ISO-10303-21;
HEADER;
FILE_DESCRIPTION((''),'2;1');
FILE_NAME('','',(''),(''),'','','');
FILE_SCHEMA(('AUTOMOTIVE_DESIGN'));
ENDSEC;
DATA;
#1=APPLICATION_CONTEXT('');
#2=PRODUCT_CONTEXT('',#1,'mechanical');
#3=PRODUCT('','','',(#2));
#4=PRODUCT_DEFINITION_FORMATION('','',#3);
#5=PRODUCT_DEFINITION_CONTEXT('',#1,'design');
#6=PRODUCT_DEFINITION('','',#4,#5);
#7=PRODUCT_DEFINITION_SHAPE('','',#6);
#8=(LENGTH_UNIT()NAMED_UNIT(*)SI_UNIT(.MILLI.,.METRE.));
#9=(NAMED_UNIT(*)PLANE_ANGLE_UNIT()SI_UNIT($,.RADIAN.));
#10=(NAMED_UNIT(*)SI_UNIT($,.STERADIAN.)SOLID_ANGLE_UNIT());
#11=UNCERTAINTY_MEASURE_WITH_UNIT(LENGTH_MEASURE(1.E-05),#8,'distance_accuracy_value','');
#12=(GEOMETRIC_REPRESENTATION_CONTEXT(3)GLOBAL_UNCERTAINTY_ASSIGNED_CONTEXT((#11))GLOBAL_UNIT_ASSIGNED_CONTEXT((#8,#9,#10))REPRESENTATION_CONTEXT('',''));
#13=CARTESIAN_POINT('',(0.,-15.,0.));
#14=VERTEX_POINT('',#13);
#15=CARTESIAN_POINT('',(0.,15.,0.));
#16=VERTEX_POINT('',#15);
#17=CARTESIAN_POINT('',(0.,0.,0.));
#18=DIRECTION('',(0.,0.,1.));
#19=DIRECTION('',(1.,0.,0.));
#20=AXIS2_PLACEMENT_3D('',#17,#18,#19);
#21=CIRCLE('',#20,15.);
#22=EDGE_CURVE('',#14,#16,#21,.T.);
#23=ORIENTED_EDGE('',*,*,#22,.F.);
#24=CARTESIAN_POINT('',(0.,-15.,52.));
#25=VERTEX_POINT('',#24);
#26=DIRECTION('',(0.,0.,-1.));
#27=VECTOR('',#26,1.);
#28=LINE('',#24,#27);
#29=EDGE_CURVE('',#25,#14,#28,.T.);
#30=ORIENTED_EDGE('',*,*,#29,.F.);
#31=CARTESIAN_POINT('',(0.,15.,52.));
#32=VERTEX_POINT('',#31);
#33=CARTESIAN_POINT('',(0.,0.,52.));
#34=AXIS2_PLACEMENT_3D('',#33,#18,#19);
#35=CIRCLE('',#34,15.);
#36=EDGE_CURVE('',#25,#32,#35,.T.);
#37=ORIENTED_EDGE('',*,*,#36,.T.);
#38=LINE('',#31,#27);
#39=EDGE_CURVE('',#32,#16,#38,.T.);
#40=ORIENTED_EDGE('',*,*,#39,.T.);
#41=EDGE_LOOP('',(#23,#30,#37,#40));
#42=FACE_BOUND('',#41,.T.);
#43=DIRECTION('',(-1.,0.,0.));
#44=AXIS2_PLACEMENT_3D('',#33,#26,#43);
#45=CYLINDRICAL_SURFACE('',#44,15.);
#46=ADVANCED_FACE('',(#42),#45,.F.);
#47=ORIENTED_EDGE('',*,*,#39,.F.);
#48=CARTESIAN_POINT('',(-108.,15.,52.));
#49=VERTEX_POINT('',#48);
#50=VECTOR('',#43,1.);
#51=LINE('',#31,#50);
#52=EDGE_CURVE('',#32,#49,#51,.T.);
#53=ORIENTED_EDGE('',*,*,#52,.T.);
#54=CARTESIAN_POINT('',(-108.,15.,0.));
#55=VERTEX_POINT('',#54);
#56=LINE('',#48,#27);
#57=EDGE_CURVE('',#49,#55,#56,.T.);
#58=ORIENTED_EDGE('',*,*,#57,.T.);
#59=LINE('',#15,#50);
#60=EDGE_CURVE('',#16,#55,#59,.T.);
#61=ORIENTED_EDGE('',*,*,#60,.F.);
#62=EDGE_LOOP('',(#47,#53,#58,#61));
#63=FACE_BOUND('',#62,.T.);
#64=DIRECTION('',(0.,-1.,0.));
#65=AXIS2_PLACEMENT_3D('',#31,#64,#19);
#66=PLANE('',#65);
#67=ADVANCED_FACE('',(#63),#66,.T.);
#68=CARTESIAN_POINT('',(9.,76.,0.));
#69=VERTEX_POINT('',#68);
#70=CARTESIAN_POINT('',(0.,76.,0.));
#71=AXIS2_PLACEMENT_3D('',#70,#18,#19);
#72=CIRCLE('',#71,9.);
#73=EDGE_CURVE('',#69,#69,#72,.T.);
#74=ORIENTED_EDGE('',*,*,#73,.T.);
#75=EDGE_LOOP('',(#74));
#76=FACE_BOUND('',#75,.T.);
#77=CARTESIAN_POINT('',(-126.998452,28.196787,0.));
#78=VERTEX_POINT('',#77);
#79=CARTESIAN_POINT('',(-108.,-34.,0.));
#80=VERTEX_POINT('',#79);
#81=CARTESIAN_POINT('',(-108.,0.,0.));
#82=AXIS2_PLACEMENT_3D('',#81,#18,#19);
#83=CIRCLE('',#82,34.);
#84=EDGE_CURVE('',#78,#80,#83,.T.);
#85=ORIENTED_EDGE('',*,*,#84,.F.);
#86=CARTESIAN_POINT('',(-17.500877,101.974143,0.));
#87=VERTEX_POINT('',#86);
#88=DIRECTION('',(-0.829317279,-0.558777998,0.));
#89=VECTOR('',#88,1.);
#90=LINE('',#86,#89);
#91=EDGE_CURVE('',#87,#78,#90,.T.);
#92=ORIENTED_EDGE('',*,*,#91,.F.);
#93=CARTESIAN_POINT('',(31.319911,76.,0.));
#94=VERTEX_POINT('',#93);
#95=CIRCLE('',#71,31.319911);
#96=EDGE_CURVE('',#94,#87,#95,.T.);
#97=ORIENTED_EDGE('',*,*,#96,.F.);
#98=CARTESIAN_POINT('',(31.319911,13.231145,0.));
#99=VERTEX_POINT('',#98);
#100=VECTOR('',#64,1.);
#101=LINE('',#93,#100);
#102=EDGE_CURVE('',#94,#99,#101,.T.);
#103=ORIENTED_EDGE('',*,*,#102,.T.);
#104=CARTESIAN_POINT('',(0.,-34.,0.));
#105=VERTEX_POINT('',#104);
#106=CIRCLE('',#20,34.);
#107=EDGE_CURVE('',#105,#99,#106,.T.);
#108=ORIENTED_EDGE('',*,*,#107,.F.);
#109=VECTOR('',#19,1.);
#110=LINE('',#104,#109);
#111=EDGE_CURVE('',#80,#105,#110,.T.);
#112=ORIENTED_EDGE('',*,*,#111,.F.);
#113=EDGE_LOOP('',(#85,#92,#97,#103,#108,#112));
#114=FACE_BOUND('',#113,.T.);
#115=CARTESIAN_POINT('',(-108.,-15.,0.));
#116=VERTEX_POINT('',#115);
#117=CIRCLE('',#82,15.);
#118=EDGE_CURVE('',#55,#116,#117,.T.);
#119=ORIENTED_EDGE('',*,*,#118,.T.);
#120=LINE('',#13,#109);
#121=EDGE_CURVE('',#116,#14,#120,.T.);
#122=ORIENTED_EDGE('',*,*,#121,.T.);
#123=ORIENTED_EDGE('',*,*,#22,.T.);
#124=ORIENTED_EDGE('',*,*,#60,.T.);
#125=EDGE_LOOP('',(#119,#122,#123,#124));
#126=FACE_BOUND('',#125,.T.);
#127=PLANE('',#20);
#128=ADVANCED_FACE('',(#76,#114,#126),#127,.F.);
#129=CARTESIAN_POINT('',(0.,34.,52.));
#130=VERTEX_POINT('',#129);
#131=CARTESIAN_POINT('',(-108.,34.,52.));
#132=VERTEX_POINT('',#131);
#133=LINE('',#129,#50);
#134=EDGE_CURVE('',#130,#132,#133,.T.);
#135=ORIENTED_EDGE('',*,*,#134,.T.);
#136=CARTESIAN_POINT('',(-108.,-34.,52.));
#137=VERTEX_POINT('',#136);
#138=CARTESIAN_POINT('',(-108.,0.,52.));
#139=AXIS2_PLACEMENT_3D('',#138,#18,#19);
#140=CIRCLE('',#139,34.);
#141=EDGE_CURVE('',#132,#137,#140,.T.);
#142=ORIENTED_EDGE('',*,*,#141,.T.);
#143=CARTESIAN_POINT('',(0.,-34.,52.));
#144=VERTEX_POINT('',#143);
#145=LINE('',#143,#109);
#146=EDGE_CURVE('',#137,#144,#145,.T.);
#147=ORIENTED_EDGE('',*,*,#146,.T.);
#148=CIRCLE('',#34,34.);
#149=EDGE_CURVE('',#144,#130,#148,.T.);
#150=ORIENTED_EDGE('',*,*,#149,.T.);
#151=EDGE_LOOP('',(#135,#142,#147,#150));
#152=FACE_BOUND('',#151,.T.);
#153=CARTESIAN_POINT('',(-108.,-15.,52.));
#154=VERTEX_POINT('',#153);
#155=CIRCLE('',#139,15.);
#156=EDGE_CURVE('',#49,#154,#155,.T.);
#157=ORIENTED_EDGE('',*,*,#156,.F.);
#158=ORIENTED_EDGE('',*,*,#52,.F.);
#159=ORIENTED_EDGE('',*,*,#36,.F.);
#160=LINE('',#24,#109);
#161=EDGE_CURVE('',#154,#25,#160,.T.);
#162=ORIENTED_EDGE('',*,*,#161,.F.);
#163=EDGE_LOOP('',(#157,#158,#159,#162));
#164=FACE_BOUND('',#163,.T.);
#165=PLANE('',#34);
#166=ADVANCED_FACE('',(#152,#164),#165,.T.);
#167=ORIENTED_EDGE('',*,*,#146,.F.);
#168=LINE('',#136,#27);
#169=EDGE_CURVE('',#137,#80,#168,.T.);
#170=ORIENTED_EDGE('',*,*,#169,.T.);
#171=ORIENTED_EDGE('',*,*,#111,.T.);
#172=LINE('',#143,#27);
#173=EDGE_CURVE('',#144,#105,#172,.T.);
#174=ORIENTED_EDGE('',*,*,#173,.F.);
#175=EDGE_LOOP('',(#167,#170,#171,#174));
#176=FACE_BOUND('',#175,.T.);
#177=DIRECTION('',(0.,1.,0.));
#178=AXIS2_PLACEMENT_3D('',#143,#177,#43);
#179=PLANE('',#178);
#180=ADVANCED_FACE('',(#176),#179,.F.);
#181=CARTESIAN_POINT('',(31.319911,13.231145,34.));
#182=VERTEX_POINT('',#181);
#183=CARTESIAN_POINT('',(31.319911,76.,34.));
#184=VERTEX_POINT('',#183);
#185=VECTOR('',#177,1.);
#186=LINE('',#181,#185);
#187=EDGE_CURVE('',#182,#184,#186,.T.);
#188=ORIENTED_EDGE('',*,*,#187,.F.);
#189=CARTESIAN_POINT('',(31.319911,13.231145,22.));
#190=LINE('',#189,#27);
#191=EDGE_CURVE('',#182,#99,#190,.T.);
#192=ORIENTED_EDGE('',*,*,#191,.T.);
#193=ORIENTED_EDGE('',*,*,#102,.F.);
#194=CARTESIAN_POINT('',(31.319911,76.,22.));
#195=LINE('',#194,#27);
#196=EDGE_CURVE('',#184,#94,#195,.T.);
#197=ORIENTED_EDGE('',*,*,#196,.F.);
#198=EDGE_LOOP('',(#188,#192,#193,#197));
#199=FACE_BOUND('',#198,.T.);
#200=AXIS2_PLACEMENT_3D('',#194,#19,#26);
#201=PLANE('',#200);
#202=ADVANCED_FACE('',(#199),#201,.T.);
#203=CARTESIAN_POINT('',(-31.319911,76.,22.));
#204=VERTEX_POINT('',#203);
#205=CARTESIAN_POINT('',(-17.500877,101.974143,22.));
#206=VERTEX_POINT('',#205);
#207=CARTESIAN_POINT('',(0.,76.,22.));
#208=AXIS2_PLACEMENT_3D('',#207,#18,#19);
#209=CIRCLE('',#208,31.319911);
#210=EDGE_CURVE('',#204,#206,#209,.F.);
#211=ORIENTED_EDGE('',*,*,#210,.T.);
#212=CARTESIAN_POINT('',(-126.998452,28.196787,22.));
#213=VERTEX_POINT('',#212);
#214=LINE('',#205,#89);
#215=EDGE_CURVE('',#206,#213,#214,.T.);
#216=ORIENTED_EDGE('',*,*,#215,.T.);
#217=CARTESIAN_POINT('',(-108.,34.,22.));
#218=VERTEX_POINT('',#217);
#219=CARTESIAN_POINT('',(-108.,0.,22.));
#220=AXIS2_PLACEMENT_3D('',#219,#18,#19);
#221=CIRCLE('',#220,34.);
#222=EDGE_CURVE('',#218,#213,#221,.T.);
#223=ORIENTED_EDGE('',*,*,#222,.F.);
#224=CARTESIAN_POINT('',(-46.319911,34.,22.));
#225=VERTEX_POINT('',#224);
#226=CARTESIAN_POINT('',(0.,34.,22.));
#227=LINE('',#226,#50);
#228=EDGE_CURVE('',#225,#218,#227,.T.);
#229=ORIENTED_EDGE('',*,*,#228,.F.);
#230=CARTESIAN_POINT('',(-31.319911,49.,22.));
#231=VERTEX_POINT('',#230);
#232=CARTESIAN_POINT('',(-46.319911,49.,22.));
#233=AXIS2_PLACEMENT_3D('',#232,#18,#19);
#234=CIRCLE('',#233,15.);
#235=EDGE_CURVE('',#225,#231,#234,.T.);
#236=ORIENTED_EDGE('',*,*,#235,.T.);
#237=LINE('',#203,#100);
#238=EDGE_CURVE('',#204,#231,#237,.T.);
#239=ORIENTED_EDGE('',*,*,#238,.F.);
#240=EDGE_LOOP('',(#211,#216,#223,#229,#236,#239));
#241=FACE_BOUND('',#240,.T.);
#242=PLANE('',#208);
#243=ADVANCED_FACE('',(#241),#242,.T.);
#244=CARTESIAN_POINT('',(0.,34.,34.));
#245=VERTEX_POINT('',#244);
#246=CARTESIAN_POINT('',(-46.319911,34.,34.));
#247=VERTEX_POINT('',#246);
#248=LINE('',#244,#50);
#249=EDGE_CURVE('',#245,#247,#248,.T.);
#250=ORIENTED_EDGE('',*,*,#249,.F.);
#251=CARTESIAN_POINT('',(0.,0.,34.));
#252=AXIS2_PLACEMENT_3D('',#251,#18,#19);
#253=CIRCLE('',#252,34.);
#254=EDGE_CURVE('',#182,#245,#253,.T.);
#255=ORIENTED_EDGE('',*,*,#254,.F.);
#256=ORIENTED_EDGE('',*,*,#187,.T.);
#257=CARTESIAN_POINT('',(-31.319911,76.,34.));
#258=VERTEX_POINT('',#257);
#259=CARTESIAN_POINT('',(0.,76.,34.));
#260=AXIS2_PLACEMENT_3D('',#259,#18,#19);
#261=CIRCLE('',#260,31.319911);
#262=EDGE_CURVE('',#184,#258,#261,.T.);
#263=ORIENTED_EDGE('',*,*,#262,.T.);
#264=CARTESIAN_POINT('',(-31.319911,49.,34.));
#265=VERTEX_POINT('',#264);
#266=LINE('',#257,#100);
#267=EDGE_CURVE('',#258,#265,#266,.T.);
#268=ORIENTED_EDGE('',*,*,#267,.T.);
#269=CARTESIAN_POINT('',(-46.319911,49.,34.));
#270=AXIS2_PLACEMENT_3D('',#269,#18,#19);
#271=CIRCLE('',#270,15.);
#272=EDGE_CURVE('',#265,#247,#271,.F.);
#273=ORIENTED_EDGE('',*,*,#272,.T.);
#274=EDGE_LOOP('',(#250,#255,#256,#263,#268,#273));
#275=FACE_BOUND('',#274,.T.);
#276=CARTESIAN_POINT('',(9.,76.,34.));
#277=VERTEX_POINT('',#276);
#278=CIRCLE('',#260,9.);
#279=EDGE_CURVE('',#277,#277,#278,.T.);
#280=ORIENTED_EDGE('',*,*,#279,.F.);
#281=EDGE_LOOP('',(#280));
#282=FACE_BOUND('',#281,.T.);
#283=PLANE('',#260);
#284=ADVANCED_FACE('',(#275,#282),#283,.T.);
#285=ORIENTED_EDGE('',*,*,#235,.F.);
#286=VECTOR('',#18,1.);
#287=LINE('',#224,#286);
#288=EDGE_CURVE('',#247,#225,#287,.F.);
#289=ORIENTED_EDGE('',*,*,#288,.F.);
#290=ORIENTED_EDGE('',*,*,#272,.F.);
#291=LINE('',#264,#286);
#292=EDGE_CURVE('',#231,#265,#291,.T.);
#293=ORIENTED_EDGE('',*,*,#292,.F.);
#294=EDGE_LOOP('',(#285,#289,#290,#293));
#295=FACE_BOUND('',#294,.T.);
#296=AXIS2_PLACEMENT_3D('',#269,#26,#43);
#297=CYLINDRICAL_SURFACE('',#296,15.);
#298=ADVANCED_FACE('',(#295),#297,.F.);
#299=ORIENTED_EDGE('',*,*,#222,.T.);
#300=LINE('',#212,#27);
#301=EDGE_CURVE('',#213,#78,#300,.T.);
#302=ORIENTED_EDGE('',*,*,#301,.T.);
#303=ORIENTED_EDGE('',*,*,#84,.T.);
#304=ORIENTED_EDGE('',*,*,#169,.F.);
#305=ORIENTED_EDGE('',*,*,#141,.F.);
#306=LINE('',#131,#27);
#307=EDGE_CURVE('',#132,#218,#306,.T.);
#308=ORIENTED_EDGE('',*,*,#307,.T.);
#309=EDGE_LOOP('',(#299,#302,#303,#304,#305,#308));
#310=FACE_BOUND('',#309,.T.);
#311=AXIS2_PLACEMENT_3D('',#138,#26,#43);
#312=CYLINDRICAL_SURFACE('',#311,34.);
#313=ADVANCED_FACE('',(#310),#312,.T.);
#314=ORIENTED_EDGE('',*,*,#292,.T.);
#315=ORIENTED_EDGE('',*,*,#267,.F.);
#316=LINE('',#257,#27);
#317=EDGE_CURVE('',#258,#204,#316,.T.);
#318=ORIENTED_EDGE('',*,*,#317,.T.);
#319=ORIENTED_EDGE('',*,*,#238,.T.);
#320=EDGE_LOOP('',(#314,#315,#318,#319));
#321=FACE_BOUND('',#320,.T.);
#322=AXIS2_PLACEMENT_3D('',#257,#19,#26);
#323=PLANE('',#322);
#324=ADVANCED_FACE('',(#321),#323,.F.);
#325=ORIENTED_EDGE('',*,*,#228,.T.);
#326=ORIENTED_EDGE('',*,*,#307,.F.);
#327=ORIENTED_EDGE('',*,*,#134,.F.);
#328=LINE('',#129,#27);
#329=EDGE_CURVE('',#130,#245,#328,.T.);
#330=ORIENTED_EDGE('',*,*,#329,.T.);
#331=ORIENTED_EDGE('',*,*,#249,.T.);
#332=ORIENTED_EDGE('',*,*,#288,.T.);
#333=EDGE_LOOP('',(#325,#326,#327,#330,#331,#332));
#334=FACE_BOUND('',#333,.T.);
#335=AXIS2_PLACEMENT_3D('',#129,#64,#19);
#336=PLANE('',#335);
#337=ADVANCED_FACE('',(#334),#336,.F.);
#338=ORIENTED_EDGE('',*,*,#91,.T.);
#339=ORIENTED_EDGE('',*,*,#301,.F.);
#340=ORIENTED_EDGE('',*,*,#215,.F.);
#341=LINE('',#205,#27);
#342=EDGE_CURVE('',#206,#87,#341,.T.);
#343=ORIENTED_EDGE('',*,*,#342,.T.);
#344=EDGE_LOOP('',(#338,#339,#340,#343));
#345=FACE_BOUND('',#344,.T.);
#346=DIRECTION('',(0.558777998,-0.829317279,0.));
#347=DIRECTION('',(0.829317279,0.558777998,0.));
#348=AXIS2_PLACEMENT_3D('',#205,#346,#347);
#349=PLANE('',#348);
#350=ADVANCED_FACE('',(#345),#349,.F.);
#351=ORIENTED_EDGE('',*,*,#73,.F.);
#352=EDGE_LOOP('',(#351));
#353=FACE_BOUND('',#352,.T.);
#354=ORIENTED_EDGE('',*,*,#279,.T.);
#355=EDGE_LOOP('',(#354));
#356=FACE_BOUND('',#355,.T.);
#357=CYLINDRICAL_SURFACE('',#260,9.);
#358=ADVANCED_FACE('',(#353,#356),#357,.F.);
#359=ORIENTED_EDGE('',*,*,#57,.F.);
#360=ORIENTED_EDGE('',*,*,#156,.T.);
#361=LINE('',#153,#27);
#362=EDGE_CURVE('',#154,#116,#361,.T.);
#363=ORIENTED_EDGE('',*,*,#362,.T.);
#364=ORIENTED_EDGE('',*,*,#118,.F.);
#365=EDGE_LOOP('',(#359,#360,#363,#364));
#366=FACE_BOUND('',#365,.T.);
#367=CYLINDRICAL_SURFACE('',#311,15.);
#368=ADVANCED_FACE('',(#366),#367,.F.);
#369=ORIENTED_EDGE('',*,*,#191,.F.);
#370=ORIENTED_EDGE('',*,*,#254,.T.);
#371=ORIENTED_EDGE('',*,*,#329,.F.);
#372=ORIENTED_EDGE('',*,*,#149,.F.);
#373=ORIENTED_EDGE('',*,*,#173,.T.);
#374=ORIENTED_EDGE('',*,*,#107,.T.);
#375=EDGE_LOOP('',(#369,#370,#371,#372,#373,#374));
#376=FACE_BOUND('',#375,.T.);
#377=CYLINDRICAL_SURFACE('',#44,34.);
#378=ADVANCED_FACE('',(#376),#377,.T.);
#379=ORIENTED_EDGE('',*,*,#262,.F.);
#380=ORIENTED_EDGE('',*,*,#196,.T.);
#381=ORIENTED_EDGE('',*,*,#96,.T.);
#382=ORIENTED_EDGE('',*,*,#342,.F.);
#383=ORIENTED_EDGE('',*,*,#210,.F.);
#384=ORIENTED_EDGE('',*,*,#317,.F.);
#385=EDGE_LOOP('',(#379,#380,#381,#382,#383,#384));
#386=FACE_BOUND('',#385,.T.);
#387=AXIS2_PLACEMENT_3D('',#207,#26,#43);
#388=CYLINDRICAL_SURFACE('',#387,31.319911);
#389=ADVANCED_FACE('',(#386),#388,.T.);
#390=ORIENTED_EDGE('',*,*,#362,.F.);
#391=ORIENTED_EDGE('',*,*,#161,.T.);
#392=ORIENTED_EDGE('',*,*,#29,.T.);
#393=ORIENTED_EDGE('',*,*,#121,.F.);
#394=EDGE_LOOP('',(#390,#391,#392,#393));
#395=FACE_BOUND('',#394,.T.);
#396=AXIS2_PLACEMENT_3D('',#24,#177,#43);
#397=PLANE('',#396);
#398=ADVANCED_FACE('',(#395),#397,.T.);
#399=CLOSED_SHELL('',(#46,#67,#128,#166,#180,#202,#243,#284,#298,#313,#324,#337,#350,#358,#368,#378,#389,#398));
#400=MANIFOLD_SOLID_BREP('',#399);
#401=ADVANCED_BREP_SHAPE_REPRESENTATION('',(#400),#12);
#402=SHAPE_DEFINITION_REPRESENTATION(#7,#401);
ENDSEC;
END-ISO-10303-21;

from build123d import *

# Parameters (mm, degrees)
BOSS_EXTRUDE1_DEPTH             = 52
BOSS_EXTRUDE2_DEPTH             = 22
BOSS_EXTRUDE3_DEPTH             = 12
F_1_0MM_CLEARANCE_DOWEL_HOLE1_D = 18
FILLET1_R                       = 15


with BuildPart() as part:
    # Sketch1 → Boss-Extrude1 (new body)
    with BuildSketch(Plane.XY):
        with BuildLine():
            Line((0, -34), (-108, -34))
            ThreePointArc((-108, -34), (-142, 0), (-108, 34))
            Line((-108, 34), (0, 34))
            ThreePointArc((0, 34), (34, 0), (0, -34))
        make_face()
        with BuildLine():
            Line((0, -15), (-108, -15))
            ThreePointArc((-108, -15), (-123, 0), (-108, 15))
            Line((-108, 15), (0, 15))
            ThreePointArc((0, 15), (15, 0), (0, -15))
        make_face(mode=Mode.SUBTRACT)
    extrude(amount=BOSS_EXTRUDE1_DEPTH)

    # Sketch2 → Boss-Extrude2 (add)
    with BuildSketch(Plane.XY):
        with BuildLine():
            Line((-126.998451924, 28.196787485), (0, 28.196787485))
            Line((0, 28.196787485), (31.319910556, 13.231145179))
            Line((31.319910556, 13.231145179), (31.319910556, 76))
            ThreePointArc((31.319910556, 76), (14.710725641, 103.650160006), (-17.500876911, 101.974143))
            Line((-17.500876911, 101.974143), (-126.998451924, 28.196787485))
        make_face()
    extrude(amount=BOSS_EXTRUDE2_DEPTH)

    # Sketch3 → Boss-Extrude3 (add)
    with BuildSketch(Plane.XY.offset(22)):
        with BuildLine():
            Line((-31.319910556, 76), (-31.319910556, 27.253285183))
            Line((-31.319910556, 27.253285183), (31.319910556, 13.231145179))
            Line((31.319910556, 13.231145179), (31.319910556, 76))
            ThreePointArc((31.319910556, 76), (0, 107.319910556), (-31.319910556, 76))
        make_face()
    extrude(amount=BOSS_EXTRUDE3_DEPTH)

    # Ø1.0mm Clearance Dowel Hole1 (through all)
    with Locations(Plane.XY.offset(34)):
        with Locations((0, 76)):
            Hole(F_1_0MM_CLEARANCE_DOWEL_HOLE1_D / 2)

    # Fillet1
    fillet1_edges = [part.edges().sort_by_distance(p)[0] for p in [
        (-31.319910556, 34, 28),
    ]]
    fillet(fillet1_edges, radius=FILLET1_R)


solid = part.part
